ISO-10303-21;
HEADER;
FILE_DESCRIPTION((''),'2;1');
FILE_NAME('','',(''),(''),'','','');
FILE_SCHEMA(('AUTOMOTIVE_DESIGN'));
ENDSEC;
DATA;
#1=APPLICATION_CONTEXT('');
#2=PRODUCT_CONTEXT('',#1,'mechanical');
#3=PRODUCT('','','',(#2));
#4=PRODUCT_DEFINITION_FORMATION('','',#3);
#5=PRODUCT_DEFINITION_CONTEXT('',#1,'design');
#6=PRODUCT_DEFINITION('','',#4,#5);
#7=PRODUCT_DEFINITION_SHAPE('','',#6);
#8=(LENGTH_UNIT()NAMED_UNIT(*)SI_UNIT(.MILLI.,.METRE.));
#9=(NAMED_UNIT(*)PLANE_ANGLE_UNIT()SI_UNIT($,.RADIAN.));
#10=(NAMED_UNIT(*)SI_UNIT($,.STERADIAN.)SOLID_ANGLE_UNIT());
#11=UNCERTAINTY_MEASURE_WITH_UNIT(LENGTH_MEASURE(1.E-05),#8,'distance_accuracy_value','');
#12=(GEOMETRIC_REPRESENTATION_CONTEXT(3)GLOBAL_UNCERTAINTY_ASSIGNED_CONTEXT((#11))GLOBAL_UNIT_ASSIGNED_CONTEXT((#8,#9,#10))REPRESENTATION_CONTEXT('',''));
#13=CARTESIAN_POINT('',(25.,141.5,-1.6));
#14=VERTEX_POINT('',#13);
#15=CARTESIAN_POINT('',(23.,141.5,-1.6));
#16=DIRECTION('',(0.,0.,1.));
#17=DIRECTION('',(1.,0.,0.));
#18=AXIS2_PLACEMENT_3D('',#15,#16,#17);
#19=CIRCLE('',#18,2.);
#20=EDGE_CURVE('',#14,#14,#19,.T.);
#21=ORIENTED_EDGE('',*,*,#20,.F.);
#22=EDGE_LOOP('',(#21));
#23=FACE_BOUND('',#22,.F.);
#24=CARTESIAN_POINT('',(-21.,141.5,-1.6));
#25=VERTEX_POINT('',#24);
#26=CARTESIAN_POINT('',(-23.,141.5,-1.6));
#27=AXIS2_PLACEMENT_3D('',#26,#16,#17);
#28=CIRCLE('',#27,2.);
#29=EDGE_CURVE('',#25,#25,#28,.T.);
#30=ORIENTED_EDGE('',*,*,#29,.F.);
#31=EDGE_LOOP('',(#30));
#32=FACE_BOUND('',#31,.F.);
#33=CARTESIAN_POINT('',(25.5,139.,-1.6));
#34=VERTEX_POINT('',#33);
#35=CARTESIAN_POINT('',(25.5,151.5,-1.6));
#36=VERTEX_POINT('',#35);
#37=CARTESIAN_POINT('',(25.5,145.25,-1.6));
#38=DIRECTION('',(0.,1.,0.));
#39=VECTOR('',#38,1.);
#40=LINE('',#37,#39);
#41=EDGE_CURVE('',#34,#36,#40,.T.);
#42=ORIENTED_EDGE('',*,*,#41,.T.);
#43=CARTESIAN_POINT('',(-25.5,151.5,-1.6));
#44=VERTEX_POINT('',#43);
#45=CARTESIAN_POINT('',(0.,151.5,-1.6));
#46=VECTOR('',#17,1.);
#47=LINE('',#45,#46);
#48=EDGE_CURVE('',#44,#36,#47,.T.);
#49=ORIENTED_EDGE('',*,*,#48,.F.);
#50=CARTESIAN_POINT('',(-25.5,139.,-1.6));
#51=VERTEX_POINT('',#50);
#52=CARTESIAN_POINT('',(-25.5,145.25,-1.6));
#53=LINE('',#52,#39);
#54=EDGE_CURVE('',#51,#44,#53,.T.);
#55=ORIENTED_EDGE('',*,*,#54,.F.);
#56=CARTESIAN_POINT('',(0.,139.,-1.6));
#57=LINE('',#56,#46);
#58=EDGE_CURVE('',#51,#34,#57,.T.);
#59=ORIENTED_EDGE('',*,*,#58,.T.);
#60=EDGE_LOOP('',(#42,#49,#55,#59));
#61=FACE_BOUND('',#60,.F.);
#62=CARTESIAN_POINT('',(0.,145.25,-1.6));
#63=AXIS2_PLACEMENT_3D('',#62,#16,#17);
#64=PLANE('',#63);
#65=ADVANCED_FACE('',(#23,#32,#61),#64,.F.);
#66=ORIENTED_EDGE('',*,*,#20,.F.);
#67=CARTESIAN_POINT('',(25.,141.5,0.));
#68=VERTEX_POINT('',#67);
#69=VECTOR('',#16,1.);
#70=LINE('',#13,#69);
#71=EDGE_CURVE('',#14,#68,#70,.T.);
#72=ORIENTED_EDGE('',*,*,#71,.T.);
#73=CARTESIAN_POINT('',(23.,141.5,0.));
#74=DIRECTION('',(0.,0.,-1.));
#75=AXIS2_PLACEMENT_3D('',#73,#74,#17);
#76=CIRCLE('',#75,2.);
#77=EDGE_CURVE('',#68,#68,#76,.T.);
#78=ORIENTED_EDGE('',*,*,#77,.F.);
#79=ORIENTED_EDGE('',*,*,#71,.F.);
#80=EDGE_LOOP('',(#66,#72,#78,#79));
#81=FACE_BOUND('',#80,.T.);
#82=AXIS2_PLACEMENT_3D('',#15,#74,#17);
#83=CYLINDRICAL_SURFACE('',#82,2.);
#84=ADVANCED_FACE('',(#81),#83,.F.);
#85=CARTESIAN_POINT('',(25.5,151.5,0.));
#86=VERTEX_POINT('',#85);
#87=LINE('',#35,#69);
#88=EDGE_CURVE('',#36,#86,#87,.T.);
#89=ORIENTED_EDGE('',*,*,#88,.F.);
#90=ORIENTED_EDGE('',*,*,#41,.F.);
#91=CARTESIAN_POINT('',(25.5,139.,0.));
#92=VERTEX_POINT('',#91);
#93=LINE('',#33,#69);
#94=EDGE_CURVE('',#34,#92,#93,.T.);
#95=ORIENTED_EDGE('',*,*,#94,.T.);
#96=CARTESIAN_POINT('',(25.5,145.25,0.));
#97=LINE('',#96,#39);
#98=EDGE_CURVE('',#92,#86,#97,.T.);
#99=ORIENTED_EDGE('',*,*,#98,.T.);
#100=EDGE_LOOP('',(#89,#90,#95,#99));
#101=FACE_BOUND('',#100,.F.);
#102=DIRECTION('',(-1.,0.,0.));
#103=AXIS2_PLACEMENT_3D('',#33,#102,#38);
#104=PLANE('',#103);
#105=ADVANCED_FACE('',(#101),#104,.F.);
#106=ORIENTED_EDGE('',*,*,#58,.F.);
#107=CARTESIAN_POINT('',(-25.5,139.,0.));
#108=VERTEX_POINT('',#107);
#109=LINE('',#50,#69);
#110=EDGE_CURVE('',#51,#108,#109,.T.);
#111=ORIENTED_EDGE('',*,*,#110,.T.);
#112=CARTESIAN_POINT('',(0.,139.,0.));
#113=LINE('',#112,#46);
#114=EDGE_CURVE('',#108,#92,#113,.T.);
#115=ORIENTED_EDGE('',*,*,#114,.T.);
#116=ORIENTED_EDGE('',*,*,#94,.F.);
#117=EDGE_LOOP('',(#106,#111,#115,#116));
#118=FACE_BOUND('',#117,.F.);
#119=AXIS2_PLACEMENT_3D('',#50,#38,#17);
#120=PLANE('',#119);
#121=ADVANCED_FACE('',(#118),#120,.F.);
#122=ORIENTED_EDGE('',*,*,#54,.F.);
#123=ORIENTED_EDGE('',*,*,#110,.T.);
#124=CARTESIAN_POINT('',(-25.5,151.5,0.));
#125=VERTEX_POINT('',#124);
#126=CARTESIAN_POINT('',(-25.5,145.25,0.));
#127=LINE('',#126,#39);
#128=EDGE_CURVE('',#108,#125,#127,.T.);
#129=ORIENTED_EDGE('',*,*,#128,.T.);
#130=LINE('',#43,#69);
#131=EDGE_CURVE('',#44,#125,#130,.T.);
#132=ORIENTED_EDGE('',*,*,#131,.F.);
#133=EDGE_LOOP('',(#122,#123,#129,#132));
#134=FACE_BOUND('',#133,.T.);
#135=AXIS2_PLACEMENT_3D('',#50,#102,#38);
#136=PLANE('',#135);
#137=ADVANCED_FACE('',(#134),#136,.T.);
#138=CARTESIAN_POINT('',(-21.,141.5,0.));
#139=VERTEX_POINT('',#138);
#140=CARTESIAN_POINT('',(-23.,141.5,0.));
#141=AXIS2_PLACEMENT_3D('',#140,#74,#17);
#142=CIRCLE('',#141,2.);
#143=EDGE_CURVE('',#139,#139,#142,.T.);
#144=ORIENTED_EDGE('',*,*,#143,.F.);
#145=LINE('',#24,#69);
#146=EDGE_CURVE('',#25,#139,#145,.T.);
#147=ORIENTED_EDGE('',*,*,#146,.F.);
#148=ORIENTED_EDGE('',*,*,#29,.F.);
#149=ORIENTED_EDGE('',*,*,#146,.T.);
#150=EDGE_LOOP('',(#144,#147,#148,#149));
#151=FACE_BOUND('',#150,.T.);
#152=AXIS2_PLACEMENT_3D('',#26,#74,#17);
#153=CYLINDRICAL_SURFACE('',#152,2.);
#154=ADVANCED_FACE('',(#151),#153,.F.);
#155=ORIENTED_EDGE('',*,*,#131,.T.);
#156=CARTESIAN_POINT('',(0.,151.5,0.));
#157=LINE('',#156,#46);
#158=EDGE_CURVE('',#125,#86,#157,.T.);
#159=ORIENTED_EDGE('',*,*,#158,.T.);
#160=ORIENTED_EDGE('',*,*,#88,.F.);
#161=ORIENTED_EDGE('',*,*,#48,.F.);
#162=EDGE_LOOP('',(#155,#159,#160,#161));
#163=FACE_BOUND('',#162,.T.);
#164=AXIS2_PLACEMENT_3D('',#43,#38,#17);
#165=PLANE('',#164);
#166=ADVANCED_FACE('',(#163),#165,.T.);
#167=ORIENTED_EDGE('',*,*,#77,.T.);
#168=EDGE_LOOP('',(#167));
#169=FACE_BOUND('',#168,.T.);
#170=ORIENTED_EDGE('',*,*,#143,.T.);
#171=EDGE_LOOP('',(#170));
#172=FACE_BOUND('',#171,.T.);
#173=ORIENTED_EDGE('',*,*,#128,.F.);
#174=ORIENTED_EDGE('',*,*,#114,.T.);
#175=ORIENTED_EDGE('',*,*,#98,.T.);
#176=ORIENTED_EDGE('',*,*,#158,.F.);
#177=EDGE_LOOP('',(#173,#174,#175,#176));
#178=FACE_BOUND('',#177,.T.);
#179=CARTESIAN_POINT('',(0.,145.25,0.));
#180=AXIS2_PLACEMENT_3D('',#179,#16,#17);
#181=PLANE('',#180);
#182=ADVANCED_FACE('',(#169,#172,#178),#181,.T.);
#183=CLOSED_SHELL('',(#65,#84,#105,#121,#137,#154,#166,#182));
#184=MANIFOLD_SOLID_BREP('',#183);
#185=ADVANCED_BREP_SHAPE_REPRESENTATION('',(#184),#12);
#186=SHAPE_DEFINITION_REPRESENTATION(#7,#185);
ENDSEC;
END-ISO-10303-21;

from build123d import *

# Parameters (mm, degrees)
CYLINDER047_R     = 2
CYLINDER047_DEPTH = 10
CYLINDER048_R     = 2
CYLINDER048_DEPTH = 10
BOX_W             = 51
BOX_H             = 12.5
BOX_DEPTH         = 1.6


with BuildPart() as cylinder047:
    # Cylinder047 → Cylinder047 (new body)
    with BuildSketch(Plane(origin=(23, 2.5, 0), x_dir=(1, 0, 0), z_dir=(0, 0, 1))):
        Circle(CYLINDER047_R)
    extrude(amount=CYLINDER047_DEPTH)


with BuildPart() as fusion036:
    # Cylinder048 → Cylinder048 (new body)
    with BuildSketch(Plane(origin=(-23, 2.5, 0), x_dir=(1, 0, 0), z_dir=(0, 0, 1))):
        Circle(CYLINDER048_R)
    extrude(amount=CYLINDER048_DEPTH)

    # Fusion036: union Cylinder047
    add(cylinder047.part)


with BuildPart() as sensor:
    # Box → Box (new body)
    with BuildSketch(Plane(origin=(-25.5, 0, 0), x_dir=(1, 0, 0), z_dir=(0, 0, 1))):
        with Locations((25.5, 6.25)):
            Rectangle(BOX_W, BOX_H)
    extrude(amount=BOX_DEPTH)

    # Cut: cut Fusion036
    add(fusion036.part, mode=Mode.SUBTRACT)


with BuildPart() as sensor_1:
    # Cut placement: moved
    add(sensor.part.moved(Location((0, 139, -1.6))))


solid = sensor_1.part
